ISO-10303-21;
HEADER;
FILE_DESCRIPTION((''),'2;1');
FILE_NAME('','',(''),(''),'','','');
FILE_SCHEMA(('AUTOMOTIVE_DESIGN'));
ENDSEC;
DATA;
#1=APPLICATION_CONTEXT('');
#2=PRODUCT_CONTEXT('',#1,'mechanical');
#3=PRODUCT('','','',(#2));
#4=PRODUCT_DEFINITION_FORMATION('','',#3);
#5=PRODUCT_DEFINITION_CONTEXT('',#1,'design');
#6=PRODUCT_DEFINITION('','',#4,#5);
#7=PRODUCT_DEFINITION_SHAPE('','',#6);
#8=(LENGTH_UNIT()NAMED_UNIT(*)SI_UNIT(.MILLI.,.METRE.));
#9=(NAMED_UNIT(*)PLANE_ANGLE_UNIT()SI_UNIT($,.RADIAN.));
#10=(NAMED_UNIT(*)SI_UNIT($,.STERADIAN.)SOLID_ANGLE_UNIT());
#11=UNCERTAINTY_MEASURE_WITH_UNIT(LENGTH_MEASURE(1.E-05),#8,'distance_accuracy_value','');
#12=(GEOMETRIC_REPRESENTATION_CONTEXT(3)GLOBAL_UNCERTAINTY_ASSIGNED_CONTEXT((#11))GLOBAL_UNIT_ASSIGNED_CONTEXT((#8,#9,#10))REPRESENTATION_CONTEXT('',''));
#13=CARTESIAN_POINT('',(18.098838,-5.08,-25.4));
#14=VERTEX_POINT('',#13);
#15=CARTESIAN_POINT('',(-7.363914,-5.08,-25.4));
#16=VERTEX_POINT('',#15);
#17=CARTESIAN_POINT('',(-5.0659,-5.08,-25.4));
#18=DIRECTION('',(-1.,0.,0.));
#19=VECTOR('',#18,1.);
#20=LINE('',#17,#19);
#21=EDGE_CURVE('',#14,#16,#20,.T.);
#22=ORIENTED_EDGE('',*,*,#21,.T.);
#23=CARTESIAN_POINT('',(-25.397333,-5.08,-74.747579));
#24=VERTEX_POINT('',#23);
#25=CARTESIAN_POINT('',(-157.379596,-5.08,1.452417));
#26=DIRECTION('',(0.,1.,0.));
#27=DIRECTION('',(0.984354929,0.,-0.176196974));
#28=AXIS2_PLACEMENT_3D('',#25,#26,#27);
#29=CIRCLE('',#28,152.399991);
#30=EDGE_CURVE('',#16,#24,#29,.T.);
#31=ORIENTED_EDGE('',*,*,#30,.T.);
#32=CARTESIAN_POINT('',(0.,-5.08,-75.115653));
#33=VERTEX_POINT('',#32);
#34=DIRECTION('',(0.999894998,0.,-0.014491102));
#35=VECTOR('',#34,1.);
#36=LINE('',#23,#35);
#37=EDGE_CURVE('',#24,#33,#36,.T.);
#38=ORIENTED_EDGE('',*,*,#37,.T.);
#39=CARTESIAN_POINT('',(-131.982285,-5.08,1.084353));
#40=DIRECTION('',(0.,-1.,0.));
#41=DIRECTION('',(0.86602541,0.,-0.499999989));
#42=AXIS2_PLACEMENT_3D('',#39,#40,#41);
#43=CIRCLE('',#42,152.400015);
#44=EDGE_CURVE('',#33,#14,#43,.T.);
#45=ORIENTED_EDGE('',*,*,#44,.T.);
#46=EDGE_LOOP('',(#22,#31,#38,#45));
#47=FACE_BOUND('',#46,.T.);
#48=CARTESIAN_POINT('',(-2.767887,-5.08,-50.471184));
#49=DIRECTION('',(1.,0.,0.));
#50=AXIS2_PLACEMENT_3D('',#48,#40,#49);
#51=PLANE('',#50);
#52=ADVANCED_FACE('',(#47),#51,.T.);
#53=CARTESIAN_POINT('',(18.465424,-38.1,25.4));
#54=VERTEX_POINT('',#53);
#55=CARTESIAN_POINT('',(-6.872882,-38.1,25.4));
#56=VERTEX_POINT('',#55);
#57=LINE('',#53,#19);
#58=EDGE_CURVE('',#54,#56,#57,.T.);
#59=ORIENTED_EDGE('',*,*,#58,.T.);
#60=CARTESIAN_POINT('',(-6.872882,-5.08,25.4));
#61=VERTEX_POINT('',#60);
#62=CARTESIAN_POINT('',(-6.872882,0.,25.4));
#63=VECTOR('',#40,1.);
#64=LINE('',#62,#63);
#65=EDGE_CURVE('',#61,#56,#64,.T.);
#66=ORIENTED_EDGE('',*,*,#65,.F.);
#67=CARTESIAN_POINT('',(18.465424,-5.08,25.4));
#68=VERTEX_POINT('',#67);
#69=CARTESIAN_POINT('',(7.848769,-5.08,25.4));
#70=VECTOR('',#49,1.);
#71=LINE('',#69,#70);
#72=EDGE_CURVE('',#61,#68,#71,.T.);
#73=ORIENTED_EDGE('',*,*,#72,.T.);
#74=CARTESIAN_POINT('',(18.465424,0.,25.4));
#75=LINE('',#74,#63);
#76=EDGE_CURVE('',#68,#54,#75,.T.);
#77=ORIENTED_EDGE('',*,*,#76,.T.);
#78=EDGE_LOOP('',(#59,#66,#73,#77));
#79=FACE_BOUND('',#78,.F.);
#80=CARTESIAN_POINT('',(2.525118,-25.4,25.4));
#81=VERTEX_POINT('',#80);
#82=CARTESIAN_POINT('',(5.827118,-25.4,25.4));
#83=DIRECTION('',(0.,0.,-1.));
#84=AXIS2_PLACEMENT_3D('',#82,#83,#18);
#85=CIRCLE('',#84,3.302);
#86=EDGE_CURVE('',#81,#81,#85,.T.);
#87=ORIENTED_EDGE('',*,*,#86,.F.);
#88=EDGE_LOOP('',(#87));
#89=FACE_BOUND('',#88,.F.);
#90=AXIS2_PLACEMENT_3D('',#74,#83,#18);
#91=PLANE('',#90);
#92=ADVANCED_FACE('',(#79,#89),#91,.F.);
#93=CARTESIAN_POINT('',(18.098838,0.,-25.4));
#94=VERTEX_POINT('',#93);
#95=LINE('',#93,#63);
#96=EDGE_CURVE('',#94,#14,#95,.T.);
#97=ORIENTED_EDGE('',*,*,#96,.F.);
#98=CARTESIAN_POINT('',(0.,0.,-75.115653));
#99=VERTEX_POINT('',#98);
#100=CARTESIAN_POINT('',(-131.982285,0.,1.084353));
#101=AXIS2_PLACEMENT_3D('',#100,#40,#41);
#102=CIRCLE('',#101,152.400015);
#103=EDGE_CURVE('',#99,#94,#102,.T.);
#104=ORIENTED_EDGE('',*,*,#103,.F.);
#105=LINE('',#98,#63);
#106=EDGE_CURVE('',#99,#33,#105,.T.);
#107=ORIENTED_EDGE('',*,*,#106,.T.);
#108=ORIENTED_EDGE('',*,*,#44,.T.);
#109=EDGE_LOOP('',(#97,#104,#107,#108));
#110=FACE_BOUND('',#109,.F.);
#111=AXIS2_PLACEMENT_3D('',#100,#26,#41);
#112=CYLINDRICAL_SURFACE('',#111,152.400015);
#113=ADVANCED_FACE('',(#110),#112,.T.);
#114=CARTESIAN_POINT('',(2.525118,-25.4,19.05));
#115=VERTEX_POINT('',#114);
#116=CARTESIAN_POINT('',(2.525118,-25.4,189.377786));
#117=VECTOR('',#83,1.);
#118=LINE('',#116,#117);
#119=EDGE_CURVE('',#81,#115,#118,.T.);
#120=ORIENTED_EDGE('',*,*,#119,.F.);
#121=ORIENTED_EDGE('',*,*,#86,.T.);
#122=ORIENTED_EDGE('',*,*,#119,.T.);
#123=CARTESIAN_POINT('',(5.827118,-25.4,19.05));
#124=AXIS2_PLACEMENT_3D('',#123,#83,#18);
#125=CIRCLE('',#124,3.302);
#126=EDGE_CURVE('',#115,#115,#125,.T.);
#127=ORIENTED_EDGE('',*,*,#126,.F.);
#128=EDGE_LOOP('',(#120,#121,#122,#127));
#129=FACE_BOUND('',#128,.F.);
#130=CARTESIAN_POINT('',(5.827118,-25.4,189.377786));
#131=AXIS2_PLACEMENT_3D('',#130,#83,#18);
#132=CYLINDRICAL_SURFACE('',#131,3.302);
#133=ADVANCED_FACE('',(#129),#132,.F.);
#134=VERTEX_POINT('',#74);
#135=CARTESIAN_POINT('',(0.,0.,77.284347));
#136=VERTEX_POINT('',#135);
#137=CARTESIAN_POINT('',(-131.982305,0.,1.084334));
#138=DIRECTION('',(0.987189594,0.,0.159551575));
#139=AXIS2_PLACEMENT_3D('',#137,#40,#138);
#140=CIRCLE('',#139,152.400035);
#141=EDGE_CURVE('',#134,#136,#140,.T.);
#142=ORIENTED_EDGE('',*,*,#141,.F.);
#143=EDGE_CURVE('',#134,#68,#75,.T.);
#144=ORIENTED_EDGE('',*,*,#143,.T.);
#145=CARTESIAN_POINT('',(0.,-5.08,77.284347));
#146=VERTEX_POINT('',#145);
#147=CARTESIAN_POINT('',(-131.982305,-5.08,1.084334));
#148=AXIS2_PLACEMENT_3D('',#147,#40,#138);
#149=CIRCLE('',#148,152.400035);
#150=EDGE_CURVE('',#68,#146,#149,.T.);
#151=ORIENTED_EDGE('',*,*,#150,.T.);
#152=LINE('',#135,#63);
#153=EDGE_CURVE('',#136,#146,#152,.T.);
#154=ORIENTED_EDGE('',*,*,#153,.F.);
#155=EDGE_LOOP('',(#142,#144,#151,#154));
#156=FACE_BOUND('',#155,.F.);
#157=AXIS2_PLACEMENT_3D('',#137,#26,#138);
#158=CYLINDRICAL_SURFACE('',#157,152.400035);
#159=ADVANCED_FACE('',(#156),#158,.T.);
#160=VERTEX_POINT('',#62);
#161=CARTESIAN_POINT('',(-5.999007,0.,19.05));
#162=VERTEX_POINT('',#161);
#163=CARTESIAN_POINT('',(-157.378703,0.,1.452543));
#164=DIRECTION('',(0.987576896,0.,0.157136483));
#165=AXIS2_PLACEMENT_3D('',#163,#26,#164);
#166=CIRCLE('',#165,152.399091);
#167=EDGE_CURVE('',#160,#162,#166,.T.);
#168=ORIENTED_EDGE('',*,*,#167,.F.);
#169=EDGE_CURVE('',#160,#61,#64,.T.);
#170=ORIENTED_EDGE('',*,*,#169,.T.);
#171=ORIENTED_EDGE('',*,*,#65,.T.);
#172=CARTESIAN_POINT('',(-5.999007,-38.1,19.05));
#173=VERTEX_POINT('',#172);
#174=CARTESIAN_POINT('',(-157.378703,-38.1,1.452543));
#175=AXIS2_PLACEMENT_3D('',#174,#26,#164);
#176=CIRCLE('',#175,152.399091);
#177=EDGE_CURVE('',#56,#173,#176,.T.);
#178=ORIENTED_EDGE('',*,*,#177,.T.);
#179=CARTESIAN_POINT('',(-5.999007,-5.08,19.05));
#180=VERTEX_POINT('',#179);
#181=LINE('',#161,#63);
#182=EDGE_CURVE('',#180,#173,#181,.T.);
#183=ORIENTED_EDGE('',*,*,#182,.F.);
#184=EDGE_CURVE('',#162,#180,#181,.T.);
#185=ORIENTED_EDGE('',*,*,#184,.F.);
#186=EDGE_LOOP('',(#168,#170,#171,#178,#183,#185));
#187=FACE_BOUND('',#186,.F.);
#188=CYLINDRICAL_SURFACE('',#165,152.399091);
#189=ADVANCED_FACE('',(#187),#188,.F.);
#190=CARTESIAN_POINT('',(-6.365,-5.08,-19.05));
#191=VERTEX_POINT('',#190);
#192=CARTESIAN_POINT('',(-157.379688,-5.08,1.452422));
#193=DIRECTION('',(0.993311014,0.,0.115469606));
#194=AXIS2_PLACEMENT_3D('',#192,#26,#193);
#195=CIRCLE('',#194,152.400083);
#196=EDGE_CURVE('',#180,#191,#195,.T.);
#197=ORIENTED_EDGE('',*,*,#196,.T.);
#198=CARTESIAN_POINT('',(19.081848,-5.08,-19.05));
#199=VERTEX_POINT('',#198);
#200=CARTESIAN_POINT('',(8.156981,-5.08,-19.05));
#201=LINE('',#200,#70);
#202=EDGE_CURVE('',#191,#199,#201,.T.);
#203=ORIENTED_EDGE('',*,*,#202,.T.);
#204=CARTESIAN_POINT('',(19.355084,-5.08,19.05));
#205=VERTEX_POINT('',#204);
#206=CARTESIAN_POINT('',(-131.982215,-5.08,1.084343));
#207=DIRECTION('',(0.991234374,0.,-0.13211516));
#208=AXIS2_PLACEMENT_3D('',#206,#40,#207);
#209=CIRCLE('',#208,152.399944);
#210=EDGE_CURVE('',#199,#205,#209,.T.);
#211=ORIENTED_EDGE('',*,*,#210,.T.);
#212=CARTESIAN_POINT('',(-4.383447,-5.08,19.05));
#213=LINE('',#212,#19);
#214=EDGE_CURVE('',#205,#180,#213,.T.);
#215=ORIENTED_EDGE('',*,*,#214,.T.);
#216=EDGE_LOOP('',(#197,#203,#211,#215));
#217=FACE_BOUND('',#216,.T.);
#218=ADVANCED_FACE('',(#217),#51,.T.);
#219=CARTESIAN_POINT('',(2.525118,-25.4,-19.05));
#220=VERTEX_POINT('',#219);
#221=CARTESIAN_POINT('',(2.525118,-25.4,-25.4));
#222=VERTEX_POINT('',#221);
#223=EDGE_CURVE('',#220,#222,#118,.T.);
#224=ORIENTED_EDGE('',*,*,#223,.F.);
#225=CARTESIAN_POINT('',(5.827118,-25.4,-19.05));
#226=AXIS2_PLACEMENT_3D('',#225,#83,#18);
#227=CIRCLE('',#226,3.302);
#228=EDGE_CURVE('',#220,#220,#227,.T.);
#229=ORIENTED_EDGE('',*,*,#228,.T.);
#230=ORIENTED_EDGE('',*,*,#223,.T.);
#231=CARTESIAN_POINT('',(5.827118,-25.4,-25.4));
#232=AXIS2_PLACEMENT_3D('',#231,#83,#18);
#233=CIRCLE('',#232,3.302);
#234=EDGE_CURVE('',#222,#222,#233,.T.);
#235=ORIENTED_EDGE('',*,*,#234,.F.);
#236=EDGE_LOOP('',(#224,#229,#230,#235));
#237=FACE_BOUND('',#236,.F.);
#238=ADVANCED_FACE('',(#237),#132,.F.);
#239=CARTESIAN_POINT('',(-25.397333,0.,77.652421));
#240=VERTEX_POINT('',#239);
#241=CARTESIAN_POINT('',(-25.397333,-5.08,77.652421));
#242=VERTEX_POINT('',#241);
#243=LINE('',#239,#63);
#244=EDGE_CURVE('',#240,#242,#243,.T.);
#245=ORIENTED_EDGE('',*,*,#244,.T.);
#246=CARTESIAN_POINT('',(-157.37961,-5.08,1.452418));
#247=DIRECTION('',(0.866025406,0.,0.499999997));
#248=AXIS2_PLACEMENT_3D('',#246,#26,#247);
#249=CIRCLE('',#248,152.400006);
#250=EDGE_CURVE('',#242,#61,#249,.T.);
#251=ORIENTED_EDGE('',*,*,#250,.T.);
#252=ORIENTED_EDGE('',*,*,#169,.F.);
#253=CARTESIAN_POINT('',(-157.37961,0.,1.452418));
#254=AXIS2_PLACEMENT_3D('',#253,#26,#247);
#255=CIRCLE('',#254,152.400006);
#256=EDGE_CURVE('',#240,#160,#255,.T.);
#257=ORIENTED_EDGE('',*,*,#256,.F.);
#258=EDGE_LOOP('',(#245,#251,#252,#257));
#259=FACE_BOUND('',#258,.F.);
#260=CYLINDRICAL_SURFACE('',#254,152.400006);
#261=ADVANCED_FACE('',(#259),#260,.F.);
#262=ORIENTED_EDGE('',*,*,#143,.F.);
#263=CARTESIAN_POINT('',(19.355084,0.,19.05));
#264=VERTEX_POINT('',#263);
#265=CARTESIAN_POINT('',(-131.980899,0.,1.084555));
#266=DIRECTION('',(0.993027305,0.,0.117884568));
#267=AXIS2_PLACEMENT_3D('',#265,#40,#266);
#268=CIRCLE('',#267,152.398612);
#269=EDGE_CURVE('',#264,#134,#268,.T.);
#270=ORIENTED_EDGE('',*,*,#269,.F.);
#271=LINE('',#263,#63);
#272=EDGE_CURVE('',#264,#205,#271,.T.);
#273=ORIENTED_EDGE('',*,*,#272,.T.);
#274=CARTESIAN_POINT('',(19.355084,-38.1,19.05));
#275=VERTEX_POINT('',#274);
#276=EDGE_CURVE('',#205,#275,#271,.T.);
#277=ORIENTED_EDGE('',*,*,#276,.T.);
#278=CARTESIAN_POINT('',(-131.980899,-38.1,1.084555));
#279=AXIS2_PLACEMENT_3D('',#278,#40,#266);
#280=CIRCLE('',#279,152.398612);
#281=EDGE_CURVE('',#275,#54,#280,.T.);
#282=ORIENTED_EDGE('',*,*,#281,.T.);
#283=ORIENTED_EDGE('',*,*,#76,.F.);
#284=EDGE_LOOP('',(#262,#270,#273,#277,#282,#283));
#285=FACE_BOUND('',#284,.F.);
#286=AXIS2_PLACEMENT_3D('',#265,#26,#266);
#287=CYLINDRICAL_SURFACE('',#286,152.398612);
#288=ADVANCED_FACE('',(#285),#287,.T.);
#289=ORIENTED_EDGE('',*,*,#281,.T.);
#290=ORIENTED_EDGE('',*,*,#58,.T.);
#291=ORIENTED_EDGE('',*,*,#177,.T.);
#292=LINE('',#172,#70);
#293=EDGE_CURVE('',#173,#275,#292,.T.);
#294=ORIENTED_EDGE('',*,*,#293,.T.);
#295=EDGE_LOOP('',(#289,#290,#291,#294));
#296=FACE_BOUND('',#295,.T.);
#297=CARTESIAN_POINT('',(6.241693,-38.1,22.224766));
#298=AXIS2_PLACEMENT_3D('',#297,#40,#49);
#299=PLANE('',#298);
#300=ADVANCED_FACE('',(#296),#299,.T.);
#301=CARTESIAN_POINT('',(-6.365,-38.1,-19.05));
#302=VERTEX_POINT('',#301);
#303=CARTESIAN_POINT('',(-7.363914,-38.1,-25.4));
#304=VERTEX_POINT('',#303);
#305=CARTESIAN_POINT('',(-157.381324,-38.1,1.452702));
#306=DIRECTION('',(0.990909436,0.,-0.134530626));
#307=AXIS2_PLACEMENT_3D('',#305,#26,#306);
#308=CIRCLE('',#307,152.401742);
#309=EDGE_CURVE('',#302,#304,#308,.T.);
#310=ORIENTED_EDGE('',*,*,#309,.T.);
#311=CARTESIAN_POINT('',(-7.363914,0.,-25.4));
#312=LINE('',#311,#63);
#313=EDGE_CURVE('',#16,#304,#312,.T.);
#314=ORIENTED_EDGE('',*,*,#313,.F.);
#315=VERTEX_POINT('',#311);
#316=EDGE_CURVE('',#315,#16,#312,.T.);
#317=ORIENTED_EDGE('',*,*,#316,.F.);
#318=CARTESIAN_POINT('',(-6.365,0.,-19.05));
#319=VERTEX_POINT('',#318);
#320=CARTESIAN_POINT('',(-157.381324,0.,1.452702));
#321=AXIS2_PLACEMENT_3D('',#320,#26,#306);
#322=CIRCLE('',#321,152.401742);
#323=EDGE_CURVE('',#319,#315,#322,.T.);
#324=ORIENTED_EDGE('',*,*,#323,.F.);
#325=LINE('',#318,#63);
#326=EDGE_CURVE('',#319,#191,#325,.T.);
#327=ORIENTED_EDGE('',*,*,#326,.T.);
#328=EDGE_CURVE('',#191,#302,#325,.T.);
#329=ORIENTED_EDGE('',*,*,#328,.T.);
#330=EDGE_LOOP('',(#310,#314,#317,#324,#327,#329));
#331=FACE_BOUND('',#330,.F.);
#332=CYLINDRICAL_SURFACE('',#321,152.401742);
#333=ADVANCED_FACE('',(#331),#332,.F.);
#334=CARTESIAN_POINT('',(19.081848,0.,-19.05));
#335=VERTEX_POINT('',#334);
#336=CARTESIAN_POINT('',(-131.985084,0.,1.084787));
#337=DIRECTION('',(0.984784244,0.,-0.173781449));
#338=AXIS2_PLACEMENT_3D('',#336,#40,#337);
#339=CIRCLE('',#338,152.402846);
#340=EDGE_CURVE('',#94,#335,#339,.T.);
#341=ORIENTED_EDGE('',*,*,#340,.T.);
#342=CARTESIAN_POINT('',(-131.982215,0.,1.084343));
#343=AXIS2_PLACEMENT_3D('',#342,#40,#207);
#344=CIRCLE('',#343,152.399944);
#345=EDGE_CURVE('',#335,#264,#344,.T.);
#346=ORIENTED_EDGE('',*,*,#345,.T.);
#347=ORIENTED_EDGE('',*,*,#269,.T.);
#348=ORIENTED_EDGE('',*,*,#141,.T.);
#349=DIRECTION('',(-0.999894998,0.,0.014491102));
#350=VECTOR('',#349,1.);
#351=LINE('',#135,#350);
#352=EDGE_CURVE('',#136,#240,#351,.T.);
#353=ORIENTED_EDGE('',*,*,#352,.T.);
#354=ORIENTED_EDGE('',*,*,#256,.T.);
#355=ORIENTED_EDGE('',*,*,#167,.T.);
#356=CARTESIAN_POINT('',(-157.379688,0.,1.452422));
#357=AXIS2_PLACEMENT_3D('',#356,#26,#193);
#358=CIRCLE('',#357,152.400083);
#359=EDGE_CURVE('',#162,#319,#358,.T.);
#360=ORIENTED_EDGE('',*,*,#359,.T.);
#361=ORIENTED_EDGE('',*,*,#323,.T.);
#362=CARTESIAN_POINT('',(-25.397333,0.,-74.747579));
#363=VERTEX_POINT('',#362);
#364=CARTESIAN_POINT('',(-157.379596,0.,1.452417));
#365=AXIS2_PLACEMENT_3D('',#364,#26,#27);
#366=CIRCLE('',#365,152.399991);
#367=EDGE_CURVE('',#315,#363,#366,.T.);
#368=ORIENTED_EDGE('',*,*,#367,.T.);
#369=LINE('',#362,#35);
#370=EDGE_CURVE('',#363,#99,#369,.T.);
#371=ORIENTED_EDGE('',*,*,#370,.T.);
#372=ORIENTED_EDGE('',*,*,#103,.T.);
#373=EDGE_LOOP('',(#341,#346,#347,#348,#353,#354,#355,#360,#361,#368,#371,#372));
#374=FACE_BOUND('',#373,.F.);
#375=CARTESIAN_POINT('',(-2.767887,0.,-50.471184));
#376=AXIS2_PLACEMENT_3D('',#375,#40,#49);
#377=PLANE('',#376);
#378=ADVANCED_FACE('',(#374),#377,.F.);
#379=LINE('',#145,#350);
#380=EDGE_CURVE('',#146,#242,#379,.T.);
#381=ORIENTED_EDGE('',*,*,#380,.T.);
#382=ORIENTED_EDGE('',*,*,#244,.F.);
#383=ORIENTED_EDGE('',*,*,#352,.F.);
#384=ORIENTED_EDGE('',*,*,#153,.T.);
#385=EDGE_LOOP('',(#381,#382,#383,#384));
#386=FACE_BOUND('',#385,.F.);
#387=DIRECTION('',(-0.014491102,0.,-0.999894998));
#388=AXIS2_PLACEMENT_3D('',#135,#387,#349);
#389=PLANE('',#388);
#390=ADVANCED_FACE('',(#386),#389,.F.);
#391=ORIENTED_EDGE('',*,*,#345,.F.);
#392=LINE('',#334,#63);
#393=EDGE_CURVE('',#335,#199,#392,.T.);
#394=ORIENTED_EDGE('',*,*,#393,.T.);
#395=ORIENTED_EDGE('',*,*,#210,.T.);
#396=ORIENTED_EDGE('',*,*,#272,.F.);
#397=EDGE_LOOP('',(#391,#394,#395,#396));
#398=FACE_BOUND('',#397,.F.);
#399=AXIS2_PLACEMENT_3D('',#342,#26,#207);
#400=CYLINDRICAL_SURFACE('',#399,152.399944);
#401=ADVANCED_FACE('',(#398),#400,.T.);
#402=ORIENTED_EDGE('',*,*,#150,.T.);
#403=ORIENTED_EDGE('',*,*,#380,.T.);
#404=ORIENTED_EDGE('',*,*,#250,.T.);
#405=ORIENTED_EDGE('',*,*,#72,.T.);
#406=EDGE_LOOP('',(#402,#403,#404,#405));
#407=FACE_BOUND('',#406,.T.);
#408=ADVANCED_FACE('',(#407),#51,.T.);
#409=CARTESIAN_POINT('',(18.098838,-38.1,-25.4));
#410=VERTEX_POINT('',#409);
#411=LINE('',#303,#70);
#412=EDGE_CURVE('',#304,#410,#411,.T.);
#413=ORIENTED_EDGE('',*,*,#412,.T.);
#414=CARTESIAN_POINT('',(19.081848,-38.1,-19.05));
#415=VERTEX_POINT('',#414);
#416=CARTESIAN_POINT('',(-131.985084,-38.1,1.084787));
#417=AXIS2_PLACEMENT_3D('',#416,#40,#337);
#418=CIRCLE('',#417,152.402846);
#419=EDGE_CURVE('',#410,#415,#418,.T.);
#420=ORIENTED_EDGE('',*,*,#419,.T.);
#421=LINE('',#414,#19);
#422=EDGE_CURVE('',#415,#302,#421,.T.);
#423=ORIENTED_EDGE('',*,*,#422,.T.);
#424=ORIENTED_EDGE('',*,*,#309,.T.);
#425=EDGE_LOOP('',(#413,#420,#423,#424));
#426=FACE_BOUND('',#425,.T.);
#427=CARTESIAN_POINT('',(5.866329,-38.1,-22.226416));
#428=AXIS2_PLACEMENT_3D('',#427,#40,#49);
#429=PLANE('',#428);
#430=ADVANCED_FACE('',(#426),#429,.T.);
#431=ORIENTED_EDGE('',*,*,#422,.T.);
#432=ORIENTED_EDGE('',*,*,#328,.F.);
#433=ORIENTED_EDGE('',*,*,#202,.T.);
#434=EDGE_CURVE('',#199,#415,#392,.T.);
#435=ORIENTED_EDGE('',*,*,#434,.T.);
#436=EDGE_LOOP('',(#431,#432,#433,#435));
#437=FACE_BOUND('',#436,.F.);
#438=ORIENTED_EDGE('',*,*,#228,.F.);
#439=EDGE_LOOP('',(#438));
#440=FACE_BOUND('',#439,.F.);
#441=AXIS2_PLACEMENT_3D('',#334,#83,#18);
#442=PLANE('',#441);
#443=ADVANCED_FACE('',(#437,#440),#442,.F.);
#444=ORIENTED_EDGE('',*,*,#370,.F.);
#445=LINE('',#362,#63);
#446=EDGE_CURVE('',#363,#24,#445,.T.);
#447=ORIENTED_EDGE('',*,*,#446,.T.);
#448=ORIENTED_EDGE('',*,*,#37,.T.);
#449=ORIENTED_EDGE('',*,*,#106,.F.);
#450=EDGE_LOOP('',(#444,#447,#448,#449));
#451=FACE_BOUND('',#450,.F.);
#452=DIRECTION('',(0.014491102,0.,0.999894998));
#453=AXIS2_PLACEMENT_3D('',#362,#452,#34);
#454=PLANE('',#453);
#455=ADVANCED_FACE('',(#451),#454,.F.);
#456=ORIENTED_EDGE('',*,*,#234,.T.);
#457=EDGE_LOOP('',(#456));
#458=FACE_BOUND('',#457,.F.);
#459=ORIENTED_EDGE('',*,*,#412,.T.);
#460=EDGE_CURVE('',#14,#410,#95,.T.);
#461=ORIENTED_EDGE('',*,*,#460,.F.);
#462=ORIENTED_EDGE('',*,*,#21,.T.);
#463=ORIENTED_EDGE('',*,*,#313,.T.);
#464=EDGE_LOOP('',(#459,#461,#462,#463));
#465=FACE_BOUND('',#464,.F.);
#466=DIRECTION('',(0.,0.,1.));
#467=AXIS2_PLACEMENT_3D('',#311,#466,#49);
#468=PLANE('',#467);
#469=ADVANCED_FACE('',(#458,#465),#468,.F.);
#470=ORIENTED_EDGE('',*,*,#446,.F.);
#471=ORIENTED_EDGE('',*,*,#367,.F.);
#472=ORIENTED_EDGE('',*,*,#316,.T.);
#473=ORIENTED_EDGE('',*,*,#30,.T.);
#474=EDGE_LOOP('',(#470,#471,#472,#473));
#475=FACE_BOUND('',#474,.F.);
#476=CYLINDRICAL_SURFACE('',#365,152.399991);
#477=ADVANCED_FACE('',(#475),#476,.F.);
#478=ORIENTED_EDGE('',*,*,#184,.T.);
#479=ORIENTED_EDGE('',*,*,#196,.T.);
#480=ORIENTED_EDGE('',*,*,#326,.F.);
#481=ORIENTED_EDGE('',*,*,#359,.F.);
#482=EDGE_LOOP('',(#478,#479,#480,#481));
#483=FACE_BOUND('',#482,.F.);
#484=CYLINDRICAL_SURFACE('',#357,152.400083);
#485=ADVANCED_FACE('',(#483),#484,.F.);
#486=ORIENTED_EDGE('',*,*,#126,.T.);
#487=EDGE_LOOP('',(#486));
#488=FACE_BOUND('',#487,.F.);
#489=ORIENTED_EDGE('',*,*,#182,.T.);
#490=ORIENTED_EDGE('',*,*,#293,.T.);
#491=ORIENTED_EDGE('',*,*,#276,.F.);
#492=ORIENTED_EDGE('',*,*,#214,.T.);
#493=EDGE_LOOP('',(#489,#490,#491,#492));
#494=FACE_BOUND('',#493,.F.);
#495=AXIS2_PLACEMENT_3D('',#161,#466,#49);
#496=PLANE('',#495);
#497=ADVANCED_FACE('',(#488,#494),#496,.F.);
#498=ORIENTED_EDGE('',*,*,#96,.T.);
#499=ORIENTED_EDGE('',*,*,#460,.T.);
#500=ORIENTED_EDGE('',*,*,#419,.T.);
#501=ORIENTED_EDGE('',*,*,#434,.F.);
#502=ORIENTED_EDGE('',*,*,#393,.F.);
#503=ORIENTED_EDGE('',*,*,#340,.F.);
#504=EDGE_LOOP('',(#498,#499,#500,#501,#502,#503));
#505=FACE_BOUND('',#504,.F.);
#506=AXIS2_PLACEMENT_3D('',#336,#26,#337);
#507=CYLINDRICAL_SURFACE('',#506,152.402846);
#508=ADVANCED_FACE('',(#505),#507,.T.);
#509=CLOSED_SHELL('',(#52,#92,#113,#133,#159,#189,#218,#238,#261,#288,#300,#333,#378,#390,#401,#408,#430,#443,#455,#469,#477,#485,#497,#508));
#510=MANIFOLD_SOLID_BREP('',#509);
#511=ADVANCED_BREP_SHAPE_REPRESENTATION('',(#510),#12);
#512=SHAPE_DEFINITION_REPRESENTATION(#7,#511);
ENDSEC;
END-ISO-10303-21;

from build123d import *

# Parameters (mm, degrees)
F1_DEPTH = 5.08
F2_DEPTH = 38.1
F4_D     = 6.604


with BuildPart() as f1:
    # F0 (on Front) → F1 (new body)
    with BuildSketch(Plane.XZ):
        with BuildLine():
            Line((-25.397333, -74.747579), (0, -75.115653))
            ThreePointArc((0, -75.115653), (11.223347, -51.049239), (18.098838, -25.4))
            Line((18.098838, -25.4), (-7.363914, -25.4))
            ThreePointArc((-7.363914, -25.4), (-14.238036, -50.856769), (-25.397333, -74.747579))
        make_face()
        with BuildLine():
            Line((-7.363914, -25.4), (18.098838, -25.4))
            ThreePointArc((18.098838, -25.4), (18.623813, -22.230181), (19.081848, -19.05))
            Line((19.081848, -19.05), (-6.365, -19.05))
            ThreePointArc((-6.365, -19.05), (-6.830974, -22.230267), (-7.363914, -25.4))
        make_face()
        with BuildLine():
            Line((-6.365, -19.05), (19.081848, -19.05))
            ThreePointArc((19.081848, -19.05), (20.41381, -0.008572), (19.355084, 19.05))
            Line((19.355084, 19.05), (-5.999007, 19.05))
            ThreePointArc((-5.999007, 19.05), (-4.986636, -0.011483), (-6.365, -19.05))
        make_face()
        with BuildLine():
            Line((-5.999007, 19.05), (19.355084, 19.05))
            ThreePointArc((19.355084, 19.05), (18.943654, 22.229679), (18.465424, 25.4))
            Line((18.465424, 25.4), (-6.872882, 25.4))
            ThreePointArc((-6.872882, 25.4), (-6.402556, 22.229595), (-5.999007, 19.05))
        make_face()
        with BuildLine():
            Line((-6.872882, 25.4), (18.465424, 25.4))
            ThreePointArc((18.465424, 25.4), (11.595818, 52.183193), (0, 77.284347))
            Line((0, 77.284347), (-25.397333, 77.652421))
            ThreePointArc((-25.397333, 77.652421), (-13.739127, 52.37563), (-6.872882, 25.4))
        make_face()
    extrude(amount=F1_DEPTH)

    # F0 (on Front) → F2 (join)
    with BuildSketch(Plane.XZ):
        with BuildLine():
            Line((-5.999007, 19.05), (19.355084, 19.05))
            ThreePointArc((19.355084, 19.05), (18.943654, 22.229679), (18.465424, 25.4))
            Line((18.465424, 25.4), (-6.872882, 25.4))
            ThreePointArc((-6.872882, 25.4), (-6.402556, 22.229595), (-5.999007, 19.05))
        make_face()
        with BuildLine():
            Line((-7.363914, -25.4), (18.098838, -25.4))
            ThreePointArc((18.098838, -25.4), (18.623813, -22.230181), (19.081848, -19.05))
            Line((19.081848, -19.05), (-6.365, -19.05))
            ThreePointArc((-6.365, -19.05), (-6.830974, -22.230267), (-7.363914, -25.4))
        make_face()
    extrude(amount=F2_DEPTH)

    # F4 (through all)
    with Locations(Plane.XY.offset(25.4)):
        with Locations((5.827118, -25.4)):
            Hole(F4_D / 2)


solid = f1.part
